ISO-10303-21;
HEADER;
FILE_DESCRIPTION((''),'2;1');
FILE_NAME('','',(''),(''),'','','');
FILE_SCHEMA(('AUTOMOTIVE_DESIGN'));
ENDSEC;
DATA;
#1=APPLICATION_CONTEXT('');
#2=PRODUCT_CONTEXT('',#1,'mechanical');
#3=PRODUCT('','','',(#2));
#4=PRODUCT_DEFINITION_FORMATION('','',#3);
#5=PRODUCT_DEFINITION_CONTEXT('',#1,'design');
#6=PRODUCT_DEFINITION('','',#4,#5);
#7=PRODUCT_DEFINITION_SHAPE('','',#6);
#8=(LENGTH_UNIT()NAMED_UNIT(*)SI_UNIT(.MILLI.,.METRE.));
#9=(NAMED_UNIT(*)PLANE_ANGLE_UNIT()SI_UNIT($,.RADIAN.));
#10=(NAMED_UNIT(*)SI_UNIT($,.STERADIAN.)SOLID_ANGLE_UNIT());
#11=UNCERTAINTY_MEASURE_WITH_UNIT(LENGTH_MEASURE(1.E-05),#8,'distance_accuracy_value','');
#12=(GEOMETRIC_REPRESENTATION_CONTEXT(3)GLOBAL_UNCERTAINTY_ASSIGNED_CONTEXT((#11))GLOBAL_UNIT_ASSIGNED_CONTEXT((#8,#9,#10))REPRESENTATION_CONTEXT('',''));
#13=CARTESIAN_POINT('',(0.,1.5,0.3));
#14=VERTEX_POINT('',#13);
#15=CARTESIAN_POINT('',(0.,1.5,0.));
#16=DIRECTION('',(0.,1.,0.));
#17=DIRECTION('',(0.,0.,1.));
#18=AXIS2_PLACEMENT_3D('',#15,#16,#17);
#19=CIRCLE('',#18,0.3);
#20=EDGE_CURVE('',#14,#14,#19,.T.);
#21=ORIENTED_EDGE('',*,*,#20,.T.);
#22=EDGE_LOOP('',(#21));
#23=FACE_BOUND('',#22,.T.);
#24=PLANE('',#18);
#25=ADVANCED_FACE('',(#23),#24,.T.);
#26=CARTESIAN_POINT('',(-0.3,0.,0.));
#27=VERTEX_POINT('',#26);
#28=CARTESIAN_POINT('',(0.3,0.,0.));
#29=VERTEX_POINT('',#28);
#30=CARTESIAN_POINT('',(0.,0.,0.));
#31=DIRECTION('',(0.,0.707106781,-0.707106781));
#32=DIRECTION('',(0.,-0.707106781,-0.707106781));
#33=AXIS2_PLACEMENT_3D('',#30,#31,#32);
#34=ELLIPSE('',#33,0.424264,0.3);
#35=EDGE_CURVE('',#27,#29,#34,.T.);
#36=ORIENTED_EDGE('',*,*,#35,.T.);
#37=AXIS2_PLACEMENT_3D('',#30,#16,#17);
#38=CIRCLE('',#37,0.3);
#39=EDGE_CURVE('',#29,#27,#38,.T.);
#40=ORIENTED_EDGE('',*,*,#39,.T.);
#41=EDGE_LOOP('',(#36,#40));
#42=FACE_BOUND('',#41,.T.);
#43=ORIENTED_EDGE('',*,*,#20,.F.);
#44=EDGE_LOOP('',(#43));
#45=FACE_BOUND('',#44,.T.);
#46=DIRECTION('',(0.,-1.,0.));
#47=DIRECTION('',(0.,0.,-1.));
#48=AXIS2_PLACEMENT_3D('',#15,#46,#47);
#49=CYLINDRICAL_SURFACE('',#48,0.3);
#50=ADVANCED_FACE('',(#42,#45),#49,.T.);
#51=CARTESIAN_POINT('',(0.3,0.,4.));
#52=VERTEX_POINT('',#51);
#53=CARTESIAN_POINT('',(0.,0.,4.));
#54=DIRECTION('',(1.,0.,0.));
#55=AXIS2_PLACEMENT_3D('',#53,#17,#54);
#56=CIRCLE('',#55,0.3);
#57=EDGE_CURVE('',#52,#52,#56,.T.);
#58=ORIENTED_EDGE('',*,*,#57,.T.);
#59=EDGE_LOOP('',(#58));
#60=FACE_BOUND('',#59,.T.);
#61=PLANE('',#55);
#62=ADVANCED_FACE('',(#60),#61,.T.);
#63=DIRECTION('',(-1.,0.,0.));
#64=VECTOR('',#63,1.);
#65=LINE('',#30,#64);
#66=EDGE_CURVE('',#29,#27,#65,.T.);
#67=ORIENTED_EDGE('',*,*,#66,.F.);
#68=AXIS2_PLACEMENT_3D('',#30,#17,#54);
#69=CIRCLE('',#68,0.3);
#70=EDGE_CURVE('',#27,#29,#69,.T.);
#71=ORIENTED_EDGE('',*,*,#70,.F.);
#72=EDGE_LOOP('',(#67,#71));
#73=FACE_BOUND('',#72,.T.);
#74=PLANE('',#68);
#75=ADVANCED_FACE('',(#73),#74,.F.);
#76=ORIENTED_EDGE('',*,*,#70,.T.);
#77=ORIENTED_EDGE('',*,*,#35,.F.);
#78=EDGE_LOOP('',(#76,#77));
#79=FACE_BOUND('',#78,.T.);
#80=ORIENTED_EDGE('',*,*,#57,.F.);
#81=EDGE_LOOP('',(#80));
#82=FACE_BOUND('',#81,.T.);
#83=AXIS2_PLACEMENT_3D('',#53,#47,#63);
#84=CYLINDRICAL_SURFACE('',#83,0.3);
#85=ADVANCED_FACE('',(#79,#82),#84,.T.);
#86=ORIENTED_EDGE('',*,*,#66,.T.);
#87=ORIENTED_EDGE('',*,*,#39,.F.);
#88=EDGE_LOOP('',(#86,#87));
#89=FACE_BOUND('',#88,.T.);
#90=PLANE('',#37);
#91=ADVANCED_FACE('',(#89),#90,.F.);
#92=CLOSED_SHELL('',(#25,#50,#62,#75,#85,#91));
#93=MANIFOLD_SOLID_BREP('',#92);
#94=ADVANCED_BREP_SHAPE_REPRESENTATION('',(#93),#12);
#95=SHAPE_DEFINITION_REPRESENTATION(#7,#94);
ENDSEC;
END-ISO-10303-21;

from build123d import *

# Parameters (mm, degrees)
SKETCH_1_R      = 0.3
EXTRUDE_1_DEPTH = 4
SKETCH_2_R      = 0.3
EXTRUDE_2_DEPTH = 1.5


with BuildPart() as part:
    # 草图1 → 凸台-拉伸1 (new body)
    with BuildSketch(Plane.XY):
        Circle(SKETCH_1_R)
    extrude(amount=EXTRUDE_1_DEPTH)

    # 草图2 → 凸台-拉伸2 (add)
    with BuildSketch(Plane(origin=(0, 0, 0), x_dir=(1, 0, 0), z_dir=(0, 1, 0))):
        with Locations(Location((0, 0, 0), (0, 0, 180))):
            Circle(SKETCH_2_R)
    extrude(amount=EXTRUDE_2_DEPTH)


solid = part.part
